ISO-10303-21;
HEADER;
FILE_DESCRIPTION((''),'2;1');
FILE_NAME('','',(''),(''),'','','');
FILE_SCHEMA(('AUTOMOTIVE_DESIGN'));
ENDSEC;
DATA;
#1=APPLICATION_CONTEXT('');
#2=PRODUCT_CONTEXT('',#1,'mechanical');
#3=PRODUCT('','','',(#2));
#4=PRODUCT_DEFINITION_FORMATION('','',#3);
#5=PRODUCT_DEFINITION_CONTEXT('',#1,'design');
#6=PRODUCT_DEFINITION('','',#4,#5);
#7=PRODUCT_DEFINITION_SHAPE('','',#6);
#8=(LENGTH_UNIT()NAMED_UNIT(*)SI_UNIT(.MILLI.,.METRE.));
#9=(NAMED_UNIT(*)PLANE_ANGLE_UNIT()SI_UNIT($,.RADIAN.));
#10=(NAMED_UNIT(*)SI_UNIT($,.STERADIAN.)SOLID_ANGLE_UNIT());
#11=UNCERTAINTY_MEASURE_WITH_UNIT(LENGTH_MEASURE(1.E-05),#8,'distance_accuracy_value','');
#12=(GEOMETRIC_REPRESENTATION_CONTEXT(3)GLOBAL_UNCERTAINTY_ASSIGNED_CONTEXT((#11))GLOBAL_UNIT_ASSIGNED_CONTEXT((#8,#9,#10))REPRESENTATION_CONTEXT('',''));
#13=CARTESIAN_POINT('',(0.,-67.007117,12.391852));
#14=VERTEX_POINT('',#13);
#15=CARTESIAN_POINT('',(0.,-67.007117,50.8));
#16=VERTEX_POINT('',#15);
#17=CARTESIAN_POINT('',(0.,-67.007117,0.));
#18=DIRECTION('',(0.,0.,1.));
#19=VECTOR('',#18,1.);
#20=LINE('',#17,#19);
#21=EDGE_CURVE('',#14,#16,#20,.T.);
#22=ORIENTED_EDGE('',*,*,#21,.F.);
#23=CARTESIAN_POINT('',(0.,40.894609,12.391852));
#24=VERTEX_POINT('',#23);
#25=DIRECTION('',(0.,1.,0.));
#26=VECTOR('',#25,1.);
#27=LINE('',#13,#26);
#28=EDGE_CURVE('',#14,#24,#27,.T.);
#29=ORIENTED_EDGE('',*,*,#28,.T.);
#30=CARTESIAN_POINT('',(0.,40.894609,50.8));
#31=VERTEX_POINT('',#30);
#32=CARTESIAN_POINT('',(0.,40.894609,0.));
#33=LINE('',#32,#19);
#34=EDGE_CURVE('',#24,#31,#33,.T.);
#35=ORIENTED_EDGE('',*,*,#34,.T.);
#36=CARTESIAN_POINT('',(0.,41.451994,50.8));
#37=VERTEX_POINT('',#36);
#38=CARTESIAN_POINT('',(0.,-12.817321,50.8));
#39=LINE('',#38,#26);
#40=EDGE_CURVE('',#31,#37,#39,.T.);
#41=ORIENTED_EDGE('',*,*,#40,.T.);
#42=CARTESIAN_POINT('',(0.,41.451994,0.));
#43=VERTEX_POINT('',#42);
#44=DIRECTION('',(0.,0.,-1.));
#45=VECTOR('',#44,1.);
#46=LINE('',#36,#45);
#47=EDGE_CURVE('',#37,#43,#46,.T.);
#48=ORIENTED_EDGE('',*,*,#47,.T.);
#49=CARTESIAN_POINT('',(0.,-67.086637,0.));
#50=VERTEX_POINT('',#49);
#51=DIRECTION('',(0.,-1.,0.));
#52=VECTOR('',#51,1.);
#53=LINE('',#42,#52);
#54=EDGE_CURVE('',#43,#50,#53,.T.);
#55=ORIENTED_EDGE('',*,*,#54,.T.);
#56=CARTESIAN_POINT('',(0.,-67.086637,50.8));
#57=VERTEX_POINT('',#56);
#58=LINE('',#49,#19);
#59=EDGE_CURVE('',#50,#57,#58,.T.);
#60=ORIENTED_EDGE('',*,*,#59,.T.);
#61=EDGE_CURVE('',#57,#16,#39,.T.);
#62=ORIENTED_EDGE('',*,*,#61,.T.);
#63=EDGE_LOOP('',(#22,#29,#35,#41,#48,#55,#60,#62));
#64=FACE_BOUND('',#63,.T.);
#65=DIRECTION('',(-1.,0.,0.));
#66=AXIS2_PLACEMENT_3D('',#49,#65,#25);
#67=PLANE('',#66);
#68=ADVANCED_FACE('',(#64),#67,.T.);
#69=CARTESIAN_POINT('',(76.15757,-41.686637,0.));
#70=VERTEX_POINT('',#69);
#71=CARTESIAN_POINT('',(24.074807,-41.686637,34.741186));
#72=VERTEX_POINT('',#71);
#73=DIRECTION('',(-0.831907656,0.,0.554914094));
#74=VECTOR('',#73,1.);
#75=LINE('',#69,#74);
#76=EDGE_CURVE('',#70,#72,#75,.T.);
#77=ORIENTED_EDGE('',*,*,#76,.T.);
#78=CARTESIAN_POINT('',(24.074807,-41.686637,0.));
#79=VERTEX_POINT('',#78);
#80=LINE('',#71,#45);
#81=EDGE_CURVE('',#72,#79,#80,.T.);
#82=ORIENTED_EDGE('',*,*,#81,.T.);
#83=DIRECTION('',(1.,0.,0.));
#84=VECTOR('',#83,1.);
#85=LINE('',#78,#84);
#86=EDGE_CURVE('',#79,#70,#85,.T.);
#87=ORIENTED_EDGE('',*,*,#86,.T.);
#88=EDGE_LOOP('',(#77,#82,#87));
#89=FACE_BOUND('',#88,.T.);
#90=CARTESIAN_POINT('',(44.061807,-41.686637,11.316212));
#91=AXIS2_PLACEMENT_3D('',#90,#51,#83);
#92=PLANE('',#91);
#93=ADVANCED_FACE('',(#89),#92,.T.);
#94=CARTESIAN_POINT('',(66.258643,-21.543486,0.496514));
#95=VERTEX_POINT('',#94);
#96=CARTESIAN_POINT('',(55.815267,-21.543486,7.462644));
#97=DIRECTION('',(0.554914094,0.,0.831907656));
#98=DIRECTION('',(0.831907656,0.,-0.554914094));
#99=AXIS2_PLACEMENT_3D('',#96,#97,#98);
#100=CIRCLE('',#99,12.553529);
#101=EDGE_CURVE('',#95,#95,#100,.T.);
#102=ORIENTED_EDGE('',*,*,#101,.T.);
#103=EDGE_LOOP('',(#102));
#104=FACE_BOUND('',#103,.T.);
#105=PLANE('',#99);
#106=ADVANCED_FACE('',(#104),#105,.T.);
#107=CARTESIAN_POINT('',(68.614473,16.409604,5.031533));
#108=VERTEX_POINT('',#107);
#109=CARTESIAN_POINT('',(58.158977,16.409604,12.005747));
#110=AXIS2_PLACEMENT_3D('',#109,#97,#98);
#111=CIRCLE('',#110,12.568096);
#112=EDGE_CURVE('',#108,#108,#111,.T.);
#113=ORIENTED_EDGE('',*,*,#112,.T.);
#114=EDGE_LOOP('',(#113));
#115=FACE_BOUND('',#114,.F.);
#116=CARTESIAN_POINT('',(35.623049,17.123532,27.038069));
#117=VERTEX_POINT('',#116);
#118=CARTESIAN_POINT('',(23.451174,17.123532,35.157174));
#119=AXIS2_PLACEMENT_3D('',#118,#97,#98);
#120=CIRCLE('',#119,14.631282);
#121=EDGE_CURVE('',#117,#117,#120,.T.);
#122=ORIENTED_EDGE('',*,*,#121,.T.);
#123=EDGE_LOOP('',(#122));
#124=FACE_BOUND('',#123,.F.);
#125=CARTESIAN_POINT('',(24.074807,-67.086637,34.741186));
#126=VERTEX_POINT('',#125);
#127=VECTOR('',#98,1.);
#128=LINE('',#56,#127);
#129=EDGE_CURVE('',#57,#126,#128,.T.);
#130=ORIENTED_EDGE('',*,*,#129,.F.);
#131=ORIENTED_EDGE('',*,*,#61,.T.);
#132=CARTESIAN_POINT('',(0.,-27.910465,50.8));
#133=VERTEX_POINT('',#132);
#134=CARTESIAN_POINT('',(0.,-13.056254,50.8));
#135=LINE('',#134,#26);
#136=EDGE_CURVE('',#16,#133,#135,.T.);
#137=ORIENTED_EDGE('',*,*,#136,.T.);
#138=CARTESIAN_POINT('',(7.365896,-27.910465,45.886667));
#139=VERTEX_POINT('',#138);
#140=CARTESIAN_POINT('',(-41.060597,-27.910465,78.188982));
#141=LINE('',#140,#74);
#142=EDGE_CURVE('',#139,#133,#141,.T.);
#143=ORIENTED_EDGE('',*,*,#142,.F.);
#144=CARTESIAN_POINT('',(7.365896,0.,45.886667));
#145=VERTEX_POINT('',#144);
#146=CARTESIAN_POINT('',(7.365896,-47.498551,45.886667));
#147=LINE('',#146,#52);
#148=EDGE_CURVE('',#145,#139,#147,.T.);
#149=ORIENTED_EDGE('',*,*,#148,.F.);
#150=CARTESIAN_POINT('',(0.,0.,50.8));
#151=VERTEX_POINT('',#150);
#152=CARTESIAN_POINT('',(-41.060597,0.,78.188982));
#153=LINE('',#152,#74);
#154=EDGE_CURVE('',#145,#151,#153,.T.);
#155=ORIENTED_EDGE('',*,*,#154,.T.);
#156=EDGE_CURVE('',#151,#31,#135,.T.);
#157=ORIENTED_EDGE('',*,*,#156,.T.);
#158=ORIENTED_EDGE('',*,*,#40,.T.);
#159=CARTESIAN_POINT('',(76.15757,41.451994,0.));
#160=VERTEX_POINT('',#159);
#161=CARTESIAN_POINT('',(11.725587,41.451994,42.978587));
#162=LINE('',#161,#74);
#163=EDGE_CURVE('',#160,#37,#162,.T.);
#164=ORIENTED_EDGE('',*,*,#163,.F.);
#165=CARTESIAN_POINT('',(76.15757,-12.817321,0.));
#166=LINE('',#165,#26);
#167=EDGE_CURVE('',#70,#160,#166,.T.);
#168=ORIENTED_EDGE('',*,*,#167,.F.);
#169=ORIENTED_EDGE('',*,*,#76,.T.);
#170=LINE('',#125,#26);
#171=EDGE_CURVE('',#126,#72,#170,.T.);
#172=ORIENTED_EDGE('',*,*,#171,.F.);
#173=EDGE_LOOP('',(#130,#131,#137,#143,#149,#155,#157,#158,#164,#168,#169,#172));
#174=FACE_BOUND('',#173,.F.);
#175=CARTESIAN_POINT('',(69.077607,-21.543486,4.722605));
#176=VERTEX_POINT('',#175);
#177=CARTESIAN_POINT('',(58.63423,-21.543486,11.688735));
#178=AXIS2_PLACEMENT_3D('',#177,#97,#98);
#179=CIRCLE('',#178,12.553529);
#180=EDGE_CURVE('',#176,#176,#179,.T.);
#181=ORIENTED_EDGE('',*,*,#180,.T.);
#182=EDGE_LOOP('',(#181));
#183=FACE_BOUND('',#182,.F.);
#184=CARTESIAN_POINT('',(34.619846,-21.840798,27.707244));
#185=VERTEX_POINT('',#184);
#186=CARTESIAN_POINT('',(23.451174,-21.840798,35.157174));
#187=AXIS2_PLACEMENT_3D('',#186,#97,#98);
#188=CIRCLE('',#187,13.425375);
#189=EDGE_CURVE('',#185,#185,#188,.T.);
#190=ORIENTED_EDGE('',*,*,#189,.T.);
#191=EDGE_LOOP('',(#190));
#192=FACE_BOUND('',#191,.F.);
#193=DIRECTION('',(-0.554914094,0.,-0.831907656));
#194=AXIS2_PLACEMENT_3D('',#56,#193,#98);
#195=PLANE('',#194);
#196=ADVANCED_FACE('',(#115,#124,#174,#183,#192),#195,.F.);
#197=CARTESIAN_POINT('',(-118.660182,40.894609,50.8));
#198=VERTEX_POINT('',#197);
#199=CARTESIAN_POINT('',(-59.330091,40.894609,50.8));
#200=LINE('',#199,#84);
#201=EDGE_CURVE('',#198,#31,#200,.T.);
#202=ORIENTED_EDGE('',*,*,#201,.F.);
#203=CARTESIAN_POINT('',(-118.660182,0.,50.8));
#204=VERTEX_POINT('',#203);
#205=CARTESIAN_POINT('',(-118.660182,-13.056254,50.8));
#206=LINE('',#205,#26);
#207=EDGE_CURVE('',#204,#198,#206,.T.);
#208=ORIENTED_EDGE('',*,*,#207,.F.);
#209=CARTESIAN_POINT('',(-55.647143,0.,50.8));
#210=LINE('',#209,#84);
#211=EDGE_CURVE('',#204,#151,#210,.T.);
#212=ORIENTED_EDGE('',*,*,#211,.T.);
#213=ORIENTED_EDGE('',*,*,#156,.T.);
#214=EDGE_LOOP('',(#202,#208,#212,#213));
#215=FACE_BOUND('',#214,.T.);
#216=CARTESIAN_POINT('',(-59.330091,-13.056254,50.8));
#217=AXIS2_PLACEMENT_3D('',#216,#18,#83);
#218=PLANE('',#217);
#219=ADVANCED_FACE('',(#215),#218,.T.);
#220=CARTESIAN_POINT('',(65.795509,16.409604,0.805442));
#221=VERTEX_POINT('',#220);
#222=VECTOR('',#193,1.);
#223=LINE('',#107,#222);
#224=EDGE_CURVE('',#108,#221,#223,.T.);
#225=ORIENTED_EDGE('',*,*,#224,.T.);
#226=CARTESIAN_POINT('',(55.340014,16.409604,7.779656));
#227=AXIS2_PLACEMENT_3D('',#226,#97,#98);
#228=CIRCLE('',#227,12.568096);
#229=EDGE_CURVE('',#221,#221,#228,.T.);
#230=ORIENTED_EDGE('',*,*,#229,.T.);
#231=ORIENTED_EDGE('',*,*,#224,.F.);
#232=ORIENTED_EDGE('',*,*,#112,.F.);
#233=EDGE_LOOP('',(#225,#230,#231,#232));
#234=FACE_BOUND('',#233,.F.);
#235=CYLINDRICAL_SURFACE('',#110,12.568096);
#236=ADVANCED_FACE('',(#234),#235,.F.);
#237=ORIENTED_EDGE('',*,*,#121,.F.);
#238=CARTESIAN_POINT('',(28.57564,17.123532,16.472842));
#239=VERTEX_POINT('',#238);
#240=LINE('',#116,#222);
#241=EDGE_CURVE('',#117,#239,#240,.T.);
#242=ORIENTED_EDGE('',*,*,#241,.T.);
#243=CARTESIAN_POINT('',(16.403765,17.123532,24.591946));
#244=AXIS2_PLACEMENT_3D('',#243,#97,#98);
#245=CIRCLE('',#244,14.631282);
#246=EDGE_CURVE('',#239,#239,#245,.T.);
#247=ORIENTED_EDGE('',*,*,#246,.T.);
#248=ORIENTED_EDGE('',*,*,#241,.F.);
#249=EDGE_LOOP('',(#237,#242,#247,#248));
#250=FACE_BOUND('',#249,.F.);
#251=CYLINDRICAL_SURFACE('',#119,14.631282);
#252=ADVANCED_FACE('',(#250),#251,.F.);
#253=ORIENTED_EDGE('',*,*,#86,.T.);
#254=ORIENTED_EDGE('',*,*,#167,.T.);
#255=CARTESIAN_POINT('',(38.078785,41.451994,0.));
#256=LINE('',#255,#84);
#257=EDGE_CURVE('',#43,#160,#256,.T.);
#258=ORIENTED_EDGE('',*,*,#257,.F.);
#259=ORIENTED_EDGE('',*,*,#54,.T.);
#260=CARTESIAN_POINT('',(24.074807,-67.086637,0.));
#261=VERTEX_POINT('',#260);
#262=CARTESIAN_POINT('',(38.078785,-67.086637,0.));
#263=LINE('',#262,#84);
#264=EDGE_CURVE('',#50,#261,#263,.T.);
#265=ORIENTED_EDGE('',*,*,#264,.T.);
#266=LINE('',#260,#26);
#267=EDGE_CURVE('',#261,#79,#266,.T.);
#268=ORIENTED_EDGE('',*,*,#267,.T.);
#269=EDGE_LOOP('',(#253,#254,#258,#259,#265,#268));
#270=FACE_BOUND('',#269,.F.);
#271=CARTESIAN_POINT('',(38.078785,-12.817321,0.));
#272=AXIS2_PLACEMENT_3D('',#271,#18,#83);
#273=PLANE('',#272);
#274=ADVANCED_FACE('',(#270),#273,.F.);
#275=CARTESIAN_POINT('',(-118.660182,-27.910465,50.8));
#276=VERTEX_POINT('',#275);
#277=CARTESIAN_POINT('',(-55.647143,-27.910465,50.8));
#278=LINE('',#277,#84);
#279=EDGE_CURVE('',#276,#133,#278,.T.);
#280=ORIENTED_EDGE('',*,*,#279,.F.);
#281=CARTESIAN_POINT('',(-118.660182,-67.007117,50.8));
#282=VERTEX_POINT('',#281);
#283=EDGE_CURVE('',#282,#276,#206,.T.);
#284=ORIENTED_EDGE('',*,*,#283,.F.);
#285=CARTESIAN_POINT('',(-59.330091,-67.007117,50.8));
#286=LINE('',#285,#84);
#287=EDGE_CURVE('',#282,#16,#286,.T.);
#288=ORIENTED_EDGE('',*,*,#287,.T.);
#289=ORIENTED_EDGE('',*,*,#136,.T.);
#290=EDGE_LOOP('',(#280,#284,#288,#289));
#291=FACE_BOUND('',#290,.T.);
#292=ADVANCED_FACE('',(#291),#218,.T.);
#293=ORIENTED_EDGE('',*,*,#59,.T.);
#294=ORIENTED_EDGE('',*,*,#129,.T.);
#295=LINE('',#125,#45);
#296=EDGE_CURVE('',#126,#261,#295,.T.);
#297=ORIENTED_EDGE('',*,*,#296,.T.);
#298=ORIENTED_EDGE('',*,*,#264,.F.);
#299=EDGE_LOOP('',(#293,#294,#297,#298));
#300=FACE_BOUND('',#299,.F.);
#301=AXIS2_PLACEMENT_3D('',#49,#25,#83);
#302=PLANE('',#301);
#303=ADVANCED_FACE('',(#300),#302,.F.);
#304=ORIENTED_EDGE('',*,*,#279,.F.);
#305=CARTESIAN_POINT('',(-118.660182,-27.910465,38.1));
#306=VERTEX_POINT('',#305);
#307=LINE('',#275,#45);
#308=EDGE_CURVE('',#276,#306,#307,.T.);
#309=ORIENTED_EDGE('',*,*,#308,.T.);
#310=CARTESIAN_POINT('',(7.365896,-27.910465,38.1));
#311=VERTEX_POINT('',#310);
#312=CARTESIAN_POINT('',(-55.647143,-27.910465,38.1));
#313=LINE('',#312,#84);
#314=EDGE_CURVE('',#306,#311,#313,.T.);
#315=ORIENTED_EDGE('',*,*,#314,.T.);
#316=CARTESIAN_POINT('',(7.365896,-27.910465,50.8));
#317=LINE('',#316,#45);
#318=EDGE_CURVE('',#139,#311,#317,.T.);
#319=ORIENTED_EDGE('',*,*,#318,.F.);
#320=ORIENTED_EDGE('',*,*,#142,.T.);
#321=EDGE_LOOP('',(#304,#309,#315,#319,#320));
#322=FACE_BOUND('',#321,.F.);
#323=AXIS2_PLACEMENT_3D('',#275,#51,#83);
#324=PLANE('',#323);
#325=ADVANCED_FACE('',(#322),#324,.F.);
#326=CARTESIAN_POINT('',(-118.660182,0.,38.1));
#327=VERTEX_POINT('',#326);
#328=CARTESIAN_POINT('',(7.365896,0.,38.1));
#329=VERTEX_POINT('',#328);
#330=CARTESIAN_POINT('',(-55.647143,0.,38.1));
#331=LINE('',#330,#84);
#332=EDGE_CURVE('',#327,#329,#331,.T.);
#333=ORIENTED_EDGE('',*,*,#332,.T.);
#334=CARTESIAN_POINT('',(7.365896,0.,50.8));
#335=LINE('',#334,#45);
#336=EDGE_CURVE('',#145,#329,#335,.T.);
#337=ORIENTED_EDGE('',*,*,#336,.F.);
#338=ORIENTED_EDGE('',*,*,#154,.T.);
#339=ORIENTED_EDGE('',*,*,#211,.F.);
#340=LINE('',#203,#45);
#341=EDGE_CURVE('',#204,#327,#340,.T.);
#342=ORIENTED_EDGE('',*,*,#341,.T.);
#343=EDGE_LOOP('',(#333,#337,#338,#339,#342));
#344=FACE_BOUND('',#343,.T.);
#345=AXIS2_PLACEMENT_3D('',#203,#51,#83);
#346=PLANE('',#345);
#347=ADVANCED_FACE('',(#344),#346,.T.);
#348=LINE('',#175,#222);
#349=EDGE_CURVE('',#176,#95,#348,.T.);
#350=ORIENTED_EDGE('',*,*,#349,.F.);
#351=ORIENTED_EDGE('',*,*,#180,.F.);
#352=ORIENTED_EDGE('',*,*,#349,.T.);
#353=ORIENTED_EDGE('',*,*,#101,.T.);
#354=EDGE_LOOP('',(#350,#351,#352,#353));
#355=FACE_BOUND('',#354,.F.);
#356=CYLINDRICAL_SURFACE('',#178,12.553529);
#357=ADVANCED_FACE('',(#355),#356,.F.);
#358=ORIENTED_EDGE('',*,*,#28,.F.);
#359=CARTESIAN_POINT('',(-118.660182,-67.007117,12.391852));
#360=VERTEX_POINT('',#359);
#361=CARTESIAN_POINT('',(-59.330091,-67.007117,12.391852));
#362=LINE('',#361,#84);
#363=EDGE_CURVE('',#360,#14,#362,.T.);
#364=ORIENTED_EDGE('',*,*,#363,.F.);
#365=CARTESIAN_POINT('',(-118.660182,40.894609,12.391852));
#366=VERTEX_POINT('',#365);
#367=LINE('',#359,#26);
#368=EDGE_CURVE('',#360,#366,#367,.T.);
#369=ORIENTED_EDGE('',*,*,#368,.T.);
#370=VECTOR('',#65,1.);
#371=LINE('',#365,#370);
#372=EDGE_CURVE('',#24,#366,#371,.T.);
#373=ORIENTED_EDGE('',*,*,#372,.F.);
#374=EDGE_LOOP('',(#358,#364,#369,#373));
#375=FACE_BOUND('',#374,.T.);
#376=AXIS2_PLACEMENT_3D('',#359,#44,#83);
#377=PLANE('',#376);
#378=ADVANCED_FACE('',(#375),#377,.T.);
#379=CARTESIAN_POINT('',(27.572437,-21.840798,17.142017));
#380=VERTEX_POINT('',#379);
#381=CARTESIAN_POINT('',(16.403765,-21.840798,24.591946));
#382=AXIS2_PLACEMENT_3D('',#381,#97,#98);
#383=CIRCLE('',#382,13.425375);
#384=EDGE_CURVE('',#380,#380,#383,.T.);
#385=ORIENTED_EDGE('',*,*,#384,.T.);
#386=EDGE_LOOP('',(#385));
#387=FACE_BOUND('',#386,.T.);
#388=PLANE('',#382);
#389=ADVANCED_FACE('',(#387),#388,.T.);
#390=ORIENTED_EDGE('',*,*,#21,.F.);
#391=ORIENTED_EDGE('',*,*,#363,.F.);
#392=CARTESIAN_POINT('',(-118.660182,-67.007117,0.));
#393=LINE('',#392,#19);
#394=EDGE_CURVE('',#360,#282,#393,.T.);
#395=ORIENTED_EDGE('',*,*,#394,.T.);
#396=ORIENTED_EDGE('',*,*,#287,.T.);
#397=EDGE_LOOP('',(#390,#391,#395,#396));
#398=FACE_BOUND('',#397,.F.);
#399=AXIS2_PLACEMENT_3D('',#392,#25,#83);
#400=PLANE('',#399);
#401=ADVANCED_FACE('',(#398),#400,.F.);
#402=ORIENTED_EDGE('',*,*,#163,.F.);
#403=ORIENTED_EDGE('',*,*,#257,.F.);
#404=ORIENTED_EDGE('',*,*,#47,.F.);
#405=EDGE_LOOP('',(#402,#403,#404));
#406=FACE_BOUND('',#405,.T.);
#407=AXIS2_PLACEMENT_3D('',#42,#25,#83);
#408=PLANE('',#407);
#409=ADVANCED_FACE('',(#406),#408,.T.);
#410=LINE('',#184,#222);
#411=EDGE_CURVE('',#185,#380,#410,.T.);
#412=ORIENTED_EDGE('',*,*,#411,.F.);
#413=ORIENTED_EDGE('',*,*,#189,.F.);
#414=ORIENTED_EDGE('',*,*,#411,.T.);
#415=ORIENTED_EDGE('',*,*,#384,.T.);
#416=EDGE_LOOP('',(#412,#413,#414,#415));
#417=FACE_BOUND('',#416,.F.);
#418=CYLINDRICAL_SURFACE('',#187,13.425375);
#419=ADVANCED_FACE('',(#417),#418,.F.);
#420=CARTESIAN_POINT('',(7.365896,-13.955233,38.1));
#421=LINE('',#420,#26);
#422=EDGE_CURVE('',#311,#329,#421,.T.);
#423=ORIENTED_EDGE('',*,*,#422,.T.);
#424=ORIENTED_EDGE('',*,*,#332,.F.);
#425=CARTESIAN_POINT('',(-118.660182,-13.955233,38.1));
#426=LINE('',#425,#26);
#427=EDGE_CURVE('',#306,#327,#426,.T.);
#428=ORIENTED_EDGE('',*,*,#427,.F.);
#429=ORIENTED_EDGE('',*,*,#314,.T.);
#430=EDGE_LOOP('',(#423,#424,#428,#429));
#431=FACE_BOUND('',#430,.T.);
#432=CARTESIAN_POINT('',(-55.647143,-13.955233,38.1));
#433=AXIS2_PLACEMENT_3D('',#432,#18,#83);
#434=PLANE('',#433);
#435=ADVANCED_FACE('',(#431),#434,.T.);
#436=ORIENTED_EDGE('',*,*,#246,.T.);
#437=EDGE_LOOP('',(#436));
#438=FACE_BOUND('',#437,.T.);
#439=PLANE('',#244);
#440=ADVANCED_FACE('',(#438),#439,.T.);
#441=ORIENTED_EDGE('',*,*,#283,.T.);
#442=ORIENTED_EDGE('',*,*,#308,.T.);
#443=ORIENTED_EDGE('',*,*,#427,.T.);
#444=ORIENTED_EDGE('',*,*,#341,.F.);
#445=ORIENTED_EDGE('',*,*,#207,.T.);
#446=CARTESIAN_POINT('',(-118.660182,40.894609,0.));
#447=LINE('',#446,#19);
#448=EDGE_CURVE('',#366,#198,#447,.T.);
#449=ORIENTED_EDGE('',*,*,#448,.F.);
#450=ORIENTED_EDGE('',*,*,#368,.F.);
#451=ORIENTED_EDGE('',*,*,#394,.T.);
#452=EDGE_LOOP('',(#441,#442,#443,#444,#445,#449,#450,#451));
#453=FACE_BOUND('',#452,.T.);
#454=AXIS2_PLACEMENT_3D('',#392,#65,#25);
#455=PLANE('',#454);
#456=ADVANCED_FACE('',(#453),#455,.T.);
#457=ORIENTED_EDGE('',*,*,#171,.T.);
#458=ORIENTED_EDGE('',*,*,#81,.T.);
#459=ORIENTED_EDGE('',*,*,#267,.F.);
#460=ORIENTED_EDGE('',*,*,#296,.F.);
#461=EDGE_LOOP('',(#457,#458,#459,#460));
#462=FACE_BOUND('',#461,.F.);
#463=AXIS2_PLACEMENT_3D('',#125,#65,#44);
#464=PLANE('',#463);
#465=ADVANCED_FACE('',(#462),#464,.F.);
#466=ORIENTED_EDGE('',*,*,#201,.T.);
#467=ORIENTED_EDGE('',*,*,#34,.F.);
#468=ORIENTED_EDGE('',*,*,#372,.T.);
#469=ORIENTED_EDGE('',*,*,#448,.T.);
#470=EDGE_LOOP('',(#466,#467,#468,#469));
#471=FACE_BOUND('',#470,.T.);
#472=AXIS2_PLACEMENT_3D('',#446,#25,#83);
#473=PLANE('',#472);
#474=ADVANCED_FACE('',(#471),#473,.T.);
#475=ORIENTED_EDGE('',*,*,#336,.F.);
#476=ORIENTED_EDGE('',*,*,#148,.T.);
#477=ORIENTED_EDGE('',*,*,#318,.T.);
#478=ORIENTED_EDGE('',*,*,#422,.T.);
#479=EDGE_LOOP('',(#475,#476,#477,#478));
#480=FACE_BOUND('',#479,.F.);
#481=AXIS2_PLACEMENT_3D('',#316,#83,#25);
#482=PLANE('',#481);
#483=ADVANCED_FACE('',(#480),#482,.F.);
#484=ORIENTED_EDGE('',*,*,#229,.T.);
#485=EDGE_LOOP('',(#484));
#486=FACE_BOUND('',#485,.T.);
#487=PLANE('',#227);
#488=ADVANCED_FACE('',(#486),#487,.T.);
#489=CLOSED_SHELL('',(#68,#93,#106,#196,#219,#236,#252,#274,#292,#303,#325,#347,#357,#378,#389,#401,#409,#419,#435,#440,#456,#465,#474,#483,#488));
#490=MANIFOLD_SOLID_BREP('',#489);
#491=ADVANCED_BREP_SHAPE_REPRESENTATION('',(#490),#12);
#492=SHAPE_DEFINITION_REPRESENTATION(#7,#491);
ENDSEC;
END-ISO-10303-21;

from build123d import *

# Parameters (mm, degrees)
F0_W      = 76.1575698853
F0_H      = 108.5386313498
F1_DEPTH  = 50.8
F3_DEPTH  = 118.872
F5_DEPTH  = 25.4
F6_R      = 12.5535289189
F7_DEPTH  = 5.08
F8_R      = 12.5680957502
F9_DEPTH  = 5.08
F10_R     = 13.425374539
F11_DEPTH = 12.7
F12_R     = 14.6312815901
F13_DEPTH = 12.7
F14_W     = 118.6601817608
F14_H     = 107.9017259181
F15_DEPTH = 50.8
F16_W     = 126.0260776617
F16_H     = 27.9104653746
F17_DEPTH = 12.7
F18_W     = 118.6601817608
F18_H     = 12.3918522149
F19_DEPTH = 143.764


with BuildPart() as f1:
    # F0 (on Top) → F1 (new body)
    with BuildSketch(Plane.XY):
        with Locations((38.0787849426, -12.8173213452)):
            Rectangle(F0_W, F0_H)
    extrude(amount=F1_DEPTH)

    # F2 (on face) → F3 (cut)
    with BuildSketch(Plane.XZ.offset(67.0866370201)):
        Polygon((76.1575698853, 50.8), (0, 50.8), (76.1575698853, 0), align=None)
    extrude(amount=-F3_DEPTH, mode=Mode.SUBTRACT)

    # F4 (on face) → F5 (cut)
    with BuildSketch(Plane.XZ.offset(67.0866370201)):
        Polygon((76.1575698853, 0), (24.0748073295, 34.7411864877), (24.0748073295, 0), align=None)
    extrude(amount=-F5_DEPTH, mode=Mode.SUBTRACT)

    # F6 (on face) → F7 (cut)
    with BuildSketch(Plane(origin=(23.4511739981, 0, 35.1571736743), x_dir=(0.8319076559, 0, -0.5549140943), z_dir=(0.5549140943, 0, 0.8319076559))):
        with Locations((42.292021215, -21.5434860438)):
            Circle(F6_R)
    extrude(amount=-F7_DEPTH, mode=Mode.SUBTRACT)

    # F8 (on face) → F9 (cut)
    with BuildSketch(Plane(origin=(23.4511739981, 0, 35.1571736743), x_dir=(0.8319076559, 0, -0.5549140943), z_dir=(0.5549140943, 0, 0.8319076559))):
        with Locations((41.7207404971, 16.4096038789)):
            Circle(F8_R)
    extrude(amount=-F9_DEPTH, mode=Mode.SUBTRACT)

    # F10 (on face) → F11 (cut)
    with BuildSketch(Plane(origin=(23.4511739981, 0, 35.1571736743), x_dir=(0.8319076559, 0, -0.5549140943), z_dir=(0.5549140943, 0, 0.8319076559))):
        with Locations((0, -21.8407977372)):
            Circle(F10_R)
    extrude(amount=-F11_DEPTH, mode=Mode.SUBTRACT)

    # F12 (on face) → F13 (cut)
    with BuildSketch(Plane(origin=(23.4511739981, 0, 35.1571736743), x_dir=(0.8319076559, 0, -0.5549140943), z_dir=(0.5549140943, 0, 0.8319076559))):
        with Locations((0, 17.1235315502)):
            Circle(F12_R)
    extrude(amount=-F13_DEPTH, mode=Mode.SUBTRACT)

    # F14 (on Top) → F15 (join)
    with BuildSketch(Plane.XY):
        with Locations((-59.3300908804, -13.0562540144)):
            Rectangle(F14_W, F14_H)
    extrude(amount=F15_DEPTH)

    # F16 (on face) → F17 (cut)
    with BuildSketch(Plane.XY.offset(50.8)):
        with Locations((-55.64714293, -13.9552326873)):
            Rectangle(F16_W, F16_H)
    extrude(amount=-F17_DEPTH, mode=Mode.SUBTRACT)

    # F18 (on face) → F19 (cut)
    with BuildSketch(Plane.XZ.offset(67.0071169734)):
        with Locations((-59.3300908804, 6.1959261075)):
            Rectangle(F18_W, F18_H)
    extrude(amount=-F19_DEPTH, mode=Mode.SUBTRACT)


solid = f1.part
